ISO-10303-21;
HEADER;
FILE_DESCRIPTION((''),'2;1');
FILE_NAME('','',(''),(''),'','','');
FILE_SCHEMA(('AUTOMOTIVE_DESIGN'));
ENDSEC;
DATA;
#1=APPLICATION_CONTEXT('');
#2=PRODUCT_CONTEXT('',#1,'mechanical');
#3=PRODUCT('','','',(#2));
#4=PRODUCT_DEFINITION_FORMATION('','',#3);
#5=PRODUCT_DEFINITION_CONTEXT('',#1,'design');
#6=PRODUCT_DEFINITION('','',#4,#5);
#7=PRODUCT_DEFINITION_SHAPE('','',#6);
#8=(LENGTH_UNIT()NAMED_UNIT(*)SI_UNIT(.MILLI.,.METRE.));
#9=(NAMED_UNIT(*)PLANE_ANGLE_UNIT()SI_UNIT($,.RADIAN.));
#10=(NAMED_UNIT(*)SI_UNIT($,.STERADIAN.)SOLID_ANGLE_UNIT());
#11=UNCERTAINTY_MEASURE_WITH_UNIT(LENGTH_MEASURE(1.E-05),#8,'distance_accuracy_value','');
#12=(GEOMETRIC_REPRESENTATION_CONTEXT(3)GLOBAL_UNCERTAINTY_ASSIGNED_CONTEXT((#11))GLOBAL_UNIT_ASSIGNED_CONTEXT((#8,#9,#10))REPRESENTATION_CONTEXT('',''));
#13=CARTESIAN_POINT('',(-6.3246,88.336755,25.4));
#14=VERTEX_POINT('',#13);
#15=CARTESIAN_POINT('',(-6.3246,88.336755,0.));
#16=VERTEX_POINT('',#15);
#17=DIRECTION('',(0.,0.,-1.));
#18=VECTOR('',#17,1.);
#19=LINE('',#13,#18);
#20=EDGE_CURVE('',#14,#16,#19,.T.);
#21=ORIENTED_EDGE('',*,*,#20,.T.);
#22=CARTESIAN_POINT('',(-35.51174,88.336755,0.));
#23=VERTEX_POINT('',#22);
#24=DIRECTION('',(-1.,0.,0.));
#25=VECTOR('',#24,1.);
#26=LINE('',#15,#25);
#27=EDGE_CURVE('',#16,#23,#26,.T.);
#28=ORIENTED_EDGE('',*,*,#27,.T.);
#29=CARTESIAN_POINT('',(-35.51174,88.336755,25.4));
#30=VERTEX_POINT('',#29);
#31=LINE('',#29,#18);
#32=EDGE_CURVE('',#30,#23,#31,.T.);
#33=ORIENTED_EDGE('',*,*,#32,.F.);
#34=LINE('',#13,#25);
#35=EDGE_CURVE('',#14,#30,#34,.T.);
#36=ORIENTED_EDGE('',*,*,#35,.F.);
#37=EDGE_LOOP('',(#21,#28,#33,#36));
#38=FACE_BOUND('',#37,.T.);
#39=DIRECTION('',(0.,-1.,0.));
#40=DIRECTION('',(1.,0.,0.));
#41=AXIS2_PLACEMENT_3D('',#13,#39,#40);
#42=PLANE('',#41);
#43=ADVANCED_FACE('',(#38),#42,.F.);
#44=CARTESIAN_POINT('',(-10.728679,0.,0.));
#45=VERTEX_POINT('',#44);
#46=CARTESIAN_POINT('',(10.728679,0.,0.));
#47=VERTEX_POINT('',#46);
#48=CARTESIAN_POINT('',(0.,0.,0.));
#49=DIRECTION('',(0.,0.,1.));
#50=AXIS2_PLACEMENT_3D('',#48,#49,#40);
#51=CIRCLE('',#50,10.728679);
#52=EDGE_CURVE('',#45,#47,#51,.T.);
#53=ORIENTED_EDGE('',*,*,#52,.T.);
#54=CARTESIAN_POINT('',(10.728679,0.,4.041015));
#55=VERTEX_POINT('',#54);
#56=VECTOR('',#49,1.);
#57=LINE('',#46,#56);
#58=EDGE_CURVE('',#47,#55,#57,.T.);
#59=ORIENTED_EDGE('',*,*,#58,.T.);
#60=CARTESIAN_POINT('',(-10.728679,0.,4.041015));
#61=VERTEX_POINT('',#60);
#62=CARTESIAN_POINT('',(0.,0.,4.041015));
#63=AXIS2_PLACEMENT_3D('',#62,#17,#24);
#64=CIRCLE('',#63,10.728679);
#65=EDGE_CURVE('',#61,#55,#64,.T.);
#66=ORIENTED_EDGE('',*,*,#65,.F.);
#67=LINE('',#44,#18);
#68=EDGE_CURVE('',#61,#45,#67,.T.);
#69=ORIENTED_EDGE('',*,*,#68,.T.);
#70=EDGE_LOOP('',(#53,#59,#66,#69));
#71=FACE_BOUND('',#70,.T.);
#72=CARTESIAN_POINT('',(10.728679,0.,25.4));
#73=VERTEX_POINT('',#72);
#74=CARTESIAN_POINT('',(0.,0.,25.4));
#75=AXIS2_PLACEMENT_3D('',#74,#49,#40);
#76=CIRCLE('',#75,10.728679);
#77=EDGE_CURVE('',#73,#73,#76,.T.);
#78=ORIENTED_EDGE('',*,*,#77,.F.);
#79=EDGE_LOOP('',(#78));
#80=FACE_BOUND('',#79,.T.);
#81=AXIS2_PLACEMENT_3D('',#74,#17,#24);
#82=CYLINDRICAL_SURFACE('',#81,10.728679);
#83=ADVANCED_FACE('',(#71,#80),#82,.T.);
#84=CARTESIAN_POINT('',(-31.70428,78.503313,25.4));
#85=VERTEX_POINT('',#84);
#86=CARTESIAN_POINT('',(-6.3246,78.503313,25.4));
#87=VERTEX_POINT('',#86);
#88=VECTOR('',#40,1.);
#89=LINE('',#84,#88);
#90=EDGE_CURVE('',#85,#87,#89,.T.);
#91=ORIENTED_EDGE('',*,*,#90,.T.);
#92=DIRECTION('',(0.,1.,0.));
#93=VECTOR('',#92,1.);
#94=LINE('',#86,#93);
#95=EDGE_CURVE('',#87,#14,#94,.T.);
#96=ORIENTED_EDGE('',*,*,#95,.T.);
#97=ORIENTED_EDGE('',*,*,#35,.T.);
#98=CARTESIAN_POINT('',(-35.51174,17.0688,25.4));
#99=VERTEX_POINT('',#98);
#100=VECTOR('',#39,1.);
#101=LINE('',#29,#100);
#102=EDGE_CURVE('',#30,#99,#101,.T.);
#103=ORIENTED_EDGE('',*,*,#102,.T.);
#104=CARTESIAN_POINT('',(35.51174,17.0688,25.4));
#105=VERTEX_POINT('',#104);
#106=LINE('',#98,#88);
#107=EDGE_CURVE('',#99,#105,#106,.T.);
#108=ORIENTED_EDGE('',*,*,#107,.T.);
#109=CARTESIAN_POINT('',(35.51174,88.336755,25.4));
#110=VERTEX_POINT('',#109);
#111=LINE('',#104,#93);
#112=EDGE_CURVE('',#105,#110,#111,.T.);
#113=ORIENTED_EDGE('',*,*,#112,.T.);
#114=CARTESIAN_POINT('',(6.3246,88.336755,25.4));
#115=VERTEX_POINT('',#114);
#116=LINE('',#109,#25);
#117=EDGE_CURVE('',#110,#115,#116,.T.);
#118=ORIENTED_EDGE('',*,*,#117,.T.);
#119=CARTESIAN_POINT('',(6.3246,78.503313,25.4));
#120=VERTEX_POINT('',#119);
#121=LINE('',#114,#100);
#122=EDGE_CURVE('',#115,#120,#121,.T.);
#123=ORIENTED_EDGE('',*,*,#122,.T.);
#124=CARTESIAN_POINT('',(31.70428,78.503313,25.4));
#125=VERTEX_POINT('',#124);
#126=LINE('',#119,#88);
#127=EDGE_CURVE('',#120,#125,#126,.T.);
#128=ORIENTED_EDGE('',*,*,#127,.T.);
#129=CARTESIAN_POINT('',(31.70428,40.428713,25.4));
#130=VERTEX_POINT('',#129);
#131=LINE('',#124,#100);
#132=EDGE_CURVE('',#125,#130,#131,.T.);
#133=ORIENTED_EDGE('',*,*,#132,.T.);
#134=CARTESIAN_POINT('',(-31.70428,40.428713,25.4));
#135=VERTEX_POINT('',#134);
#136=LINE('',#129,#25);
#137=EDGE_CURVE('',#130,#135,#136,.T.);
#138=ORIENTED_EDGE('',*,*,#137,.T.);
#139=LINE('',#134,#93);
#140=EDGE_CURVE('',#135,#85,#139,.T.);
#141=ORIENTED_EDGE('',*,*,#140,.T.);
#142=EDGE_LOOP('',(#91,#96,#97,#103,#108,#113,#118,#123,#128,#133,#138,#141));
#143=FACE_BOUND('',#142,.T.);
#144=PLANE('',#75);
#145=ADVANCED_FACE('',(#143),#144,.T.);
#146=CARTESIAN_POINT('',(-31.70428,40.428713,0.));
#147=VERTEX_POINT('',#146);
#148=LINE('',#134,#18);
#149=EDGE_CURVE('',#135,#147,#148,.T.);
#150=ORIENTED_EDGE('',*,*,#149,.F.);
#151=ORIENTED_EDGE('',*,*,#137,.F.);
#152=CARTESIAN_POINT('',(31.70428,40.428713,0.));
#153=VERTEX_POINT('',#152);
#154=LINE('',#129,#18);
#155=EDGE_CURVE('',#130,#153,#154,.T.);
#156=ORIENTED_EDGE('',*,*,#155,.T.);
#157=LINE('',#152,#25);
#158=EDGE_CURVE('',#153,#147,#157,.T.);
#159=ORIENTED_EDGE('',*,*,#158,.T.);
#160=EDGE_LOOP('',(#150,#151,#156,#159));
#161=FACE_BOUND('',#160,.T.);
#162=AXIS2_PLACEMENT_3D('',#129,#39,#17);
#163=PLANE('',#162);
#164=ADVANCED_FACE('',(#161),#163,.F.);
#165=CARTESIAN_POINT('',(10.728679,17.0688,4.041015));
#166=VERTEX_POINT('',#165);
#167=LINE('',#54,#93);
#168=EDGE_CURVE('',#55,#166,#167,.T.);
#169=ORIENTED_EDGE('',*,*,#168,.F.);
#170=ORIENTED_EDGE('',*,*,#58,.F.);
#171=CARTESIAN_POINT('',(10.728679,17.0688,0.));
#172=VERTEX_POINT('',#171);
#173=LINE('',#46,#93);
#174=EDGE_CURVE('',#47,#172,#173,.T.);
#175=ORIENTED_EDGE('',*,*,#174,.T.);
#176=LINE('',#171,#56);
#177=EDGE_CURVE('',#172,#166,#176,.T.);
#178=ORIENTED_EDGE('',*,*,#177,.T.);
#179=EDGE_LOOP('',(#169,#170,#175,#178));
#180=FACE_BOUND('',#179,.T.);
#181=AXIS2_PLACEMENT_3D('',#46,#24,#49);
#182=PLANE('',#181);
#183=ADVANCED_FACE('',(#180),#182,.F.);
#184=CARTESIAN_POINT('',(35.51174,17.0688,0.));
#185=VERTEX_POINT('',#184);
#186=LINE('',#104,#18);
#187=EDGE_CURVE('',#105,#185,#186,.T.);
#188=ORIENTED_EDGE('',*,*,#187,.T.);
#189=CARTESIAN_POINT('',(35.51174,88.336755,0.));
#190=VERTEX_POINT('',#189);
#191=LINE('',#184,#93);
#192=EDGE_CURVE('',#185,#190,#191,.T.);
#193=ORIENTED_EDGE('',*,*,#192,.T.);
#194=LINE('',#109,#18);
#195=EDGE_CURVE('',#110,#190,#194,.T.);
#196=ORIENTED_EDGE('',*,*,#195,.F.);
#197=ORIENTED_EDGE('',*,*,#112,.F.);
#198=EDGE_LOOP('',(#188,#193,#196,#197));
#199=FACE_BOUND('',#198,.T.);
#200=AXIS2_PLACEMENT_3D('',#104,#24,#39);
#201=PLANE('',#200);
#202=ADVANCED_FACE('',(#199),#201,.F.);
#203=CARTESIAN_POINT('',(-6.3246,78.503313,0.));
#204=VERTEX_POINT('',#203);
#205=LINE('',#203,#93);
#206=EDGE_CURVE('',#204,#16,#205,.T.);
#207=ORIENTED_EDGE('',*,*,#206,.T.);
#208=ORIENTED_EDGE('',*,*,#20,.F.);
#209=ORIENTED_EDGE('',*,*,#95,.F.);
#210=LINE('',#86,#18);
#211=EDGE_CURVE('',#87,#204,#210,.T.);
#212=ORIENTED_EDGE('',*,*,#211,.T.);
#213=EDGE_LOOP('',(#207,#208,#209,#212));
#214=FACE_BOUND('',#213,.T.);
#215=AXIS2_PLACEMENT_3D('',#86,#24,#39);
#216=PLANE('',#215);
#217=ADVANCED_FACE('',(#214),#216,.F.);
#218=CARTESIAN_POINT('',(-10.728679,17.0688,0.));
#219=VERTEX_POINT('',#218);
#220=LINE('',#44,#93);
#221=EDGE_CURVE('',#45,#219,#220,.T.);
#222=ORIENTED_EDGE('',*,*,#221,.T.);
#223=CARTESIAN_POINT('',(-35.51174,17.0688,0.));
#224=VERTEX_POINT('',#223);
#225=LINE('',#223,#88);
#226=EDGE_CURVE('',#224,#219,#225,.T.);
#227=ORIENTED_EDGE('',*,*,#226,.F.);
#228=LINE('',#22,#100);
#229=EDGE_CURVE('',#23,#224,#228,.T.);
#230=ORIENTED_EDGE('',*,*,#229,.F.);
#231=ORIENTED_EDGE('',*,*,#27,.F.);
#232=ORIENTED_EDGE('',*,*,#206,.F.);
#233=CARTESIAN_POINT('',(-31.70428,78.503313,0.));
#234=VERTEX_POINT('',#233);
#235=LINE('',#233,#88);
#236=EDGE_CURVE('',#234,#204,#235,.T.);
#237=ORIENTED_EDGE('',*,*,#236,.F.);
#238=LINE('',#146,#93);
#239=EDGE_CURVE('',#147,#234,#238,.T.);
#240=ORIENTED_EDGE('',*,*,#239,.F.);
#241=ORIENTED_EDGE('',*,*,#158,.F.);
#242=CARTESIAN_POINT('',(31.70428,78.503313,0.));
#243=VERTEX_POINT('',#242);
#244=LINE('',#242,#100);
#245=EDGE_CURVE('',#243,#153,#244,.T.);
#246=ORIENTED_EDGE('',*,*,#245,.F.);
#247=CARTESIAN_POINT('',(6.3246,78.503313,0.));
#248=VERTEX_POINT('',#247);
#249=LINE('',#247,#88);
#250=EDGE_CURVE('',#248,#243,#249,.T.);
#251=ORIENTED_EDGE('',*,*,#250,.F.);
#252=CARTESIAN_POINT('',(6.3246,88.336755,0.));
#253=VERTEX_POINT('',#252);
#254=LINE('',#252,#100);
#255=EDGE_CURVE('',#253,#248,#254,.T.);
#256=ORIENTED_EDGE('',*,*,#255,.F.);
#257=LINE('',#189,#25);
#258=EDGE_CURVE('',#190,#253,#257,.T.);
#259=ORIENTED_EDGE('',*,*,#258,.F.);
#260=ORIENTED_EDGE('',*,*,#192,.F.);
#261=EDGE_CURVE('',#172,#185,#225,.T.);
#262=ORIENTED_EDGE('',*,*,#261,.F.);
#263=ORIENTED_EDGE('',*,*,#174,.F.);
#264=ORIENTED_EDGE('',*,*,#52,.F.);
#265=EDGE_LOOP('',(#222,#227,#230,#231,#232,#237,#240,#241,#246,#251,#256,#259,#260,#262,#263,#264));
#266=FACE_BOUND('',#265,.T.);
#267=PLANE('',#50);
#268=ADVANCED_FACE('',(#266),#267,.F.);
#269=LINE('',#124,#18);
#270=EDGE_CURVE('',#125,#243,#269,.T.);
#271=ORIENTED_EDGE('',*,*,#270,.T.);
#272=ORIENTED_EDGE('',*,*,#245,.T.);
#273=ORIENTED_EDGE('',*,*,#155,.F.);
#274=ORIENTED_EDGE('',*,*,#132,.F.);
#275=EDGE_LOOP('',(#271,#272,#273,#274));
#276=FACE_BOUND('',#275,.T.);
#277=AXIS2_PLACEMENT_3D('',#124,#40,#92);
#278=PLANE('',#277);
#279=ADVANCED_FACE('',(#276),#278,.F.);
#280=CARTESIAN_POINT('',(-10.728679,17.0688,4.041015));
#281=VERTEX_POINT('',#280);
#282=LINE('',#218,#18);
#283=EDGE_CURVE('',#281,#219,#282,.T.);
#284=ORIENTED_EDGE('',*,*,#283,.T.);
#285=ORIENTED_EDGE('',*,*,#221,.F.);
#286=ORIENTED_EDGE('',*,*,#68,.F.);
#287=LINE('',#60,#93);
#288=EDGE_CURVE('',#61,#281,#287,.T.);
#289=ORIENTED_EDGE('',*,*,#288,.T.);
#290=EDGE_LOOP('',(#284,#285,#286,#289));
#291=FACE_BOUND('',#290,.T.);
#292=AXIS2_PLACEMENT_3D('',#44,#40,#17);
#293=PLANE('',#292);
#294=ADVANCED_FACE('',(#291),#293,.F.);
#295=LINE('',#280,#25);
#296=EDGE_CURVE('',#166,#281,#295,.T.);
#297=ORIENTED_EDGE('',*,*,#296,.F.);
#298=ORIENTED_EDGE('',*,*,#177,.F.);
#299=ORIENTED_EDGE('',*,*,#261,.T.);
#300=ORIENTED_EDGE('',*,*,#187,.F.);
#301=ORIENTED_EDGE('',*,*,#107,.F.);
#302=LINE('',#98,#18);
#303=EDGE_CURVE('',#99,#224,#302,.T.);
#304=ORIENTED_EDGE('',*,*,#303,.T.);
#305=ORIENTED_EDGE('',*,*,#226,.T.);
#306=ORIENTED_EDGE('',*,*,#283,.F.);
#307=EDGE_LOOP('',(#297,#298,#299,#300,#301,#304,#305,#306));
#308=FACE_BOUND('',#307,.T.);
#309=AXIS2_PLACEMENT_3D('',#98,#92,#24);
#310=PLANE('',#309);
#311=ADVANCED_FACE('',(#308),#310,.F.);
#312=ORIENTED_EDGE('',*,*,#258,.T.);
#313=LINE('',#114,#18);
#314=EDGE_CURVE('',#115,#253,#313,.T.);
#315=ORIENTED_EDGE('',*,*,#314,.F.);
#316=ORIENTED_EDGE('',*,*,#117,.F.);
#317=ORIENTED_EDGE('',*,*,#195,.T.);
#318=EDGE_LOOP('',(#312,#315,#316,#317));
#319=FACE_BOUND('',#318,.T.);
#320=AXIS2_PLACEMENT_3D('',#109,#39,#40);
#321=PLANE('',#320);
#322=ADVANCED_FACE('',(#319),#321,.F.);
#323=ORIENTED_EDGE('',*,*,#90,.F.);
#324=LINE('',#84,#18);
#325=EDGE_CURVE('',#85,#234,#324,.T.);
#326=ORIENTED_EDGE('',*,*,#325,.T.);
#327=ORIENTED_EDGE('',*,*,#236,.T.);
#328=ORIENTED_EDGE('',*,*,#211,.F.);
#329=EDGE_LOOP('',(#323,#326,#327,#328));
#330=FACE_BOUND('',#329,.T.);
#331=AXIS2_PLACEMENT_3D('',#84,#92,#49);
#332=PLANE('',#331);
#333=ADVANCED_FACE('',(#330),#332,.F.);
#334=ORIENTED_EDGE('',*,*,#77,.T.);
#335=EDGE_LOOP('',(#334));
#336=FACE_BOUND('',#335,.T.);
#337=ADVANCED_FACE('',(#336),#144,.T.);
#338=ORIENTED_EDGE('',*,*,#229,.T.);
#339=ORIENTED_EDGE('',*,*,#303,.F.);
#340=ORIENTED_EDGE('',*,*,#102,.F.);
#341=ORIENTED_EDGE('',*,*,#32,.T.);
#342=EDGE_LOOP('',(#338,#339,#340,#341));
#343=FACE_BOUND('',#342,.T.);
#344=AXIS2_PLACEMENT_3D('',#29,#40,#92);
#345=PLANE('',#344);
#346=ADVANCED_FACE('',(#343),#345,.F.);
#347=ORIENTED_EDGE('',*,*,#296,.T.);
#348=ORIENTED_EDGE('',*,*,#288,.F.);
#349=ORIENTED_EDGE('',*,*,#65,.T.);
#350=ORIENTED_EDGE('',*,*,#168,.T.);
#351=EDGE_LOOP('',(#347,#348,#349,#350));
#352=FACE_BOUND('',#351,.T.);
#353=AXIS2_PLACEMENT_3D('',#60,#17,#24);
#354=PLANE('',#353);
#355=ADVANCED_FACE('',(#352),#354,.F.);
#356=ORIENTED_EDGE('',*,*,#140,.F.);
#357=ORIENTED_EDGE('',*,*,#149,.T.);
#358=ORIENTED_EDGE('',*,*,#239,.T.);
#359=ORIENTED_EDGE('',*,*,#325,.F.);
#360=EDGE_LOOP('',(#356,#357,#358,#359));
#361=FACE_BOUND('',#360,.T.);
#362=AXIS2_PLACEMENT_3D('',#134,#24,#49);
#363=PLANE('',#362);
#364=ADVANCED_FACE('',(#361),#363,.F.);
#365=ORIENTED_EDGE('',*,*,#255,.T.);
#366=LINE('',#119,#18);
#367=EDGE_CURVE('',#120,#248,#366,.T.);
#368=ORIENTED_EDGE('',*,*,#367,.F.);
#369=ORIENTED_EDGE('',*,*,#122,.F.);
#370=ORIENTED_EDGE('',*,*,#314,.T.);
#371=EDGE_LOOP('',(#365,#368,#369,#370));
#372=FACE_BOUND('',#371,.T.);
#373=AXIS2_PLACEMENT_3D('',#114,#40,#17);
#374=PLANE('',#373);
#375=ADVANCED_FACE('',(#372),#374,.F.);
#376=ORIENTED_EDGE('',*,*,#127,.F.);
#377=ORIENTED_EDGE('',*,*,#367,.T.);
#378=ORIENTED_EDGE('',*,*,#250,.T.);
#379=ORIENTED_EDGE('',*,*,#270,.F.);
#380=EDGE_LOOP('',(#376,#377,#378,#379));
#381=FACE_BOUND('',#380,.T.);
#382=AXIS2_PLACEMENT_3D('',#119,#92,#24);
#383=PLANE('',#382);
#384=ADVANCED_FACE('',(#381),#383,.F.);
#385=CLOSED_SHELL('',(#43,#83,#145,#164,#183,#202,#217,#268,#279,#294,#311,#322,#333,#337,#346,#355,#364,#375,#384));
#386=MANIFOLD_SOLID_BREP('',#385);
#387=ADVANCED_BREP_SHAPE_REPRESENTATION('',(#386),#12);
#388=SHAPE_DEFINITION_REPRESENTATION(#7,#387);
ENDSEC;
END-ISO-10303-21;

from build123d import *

# Parameters (mm, degrees)
SKETCH1_R             = 10.728678925
BOSS_EXTRUDE1_DEPTH   = 25.4
BOSS_EXTRUDE1_2_DEPTH = 25.4
SKETCH2_W             = 21.45735785
SKETCH2_H             = 4.041014957
BOSS_EXTRUDE2_DEPTH   = 17.0688


with BuildPart() as part:
    # Sketch1 → Boss-Extrude1 (new body)
    with BuildSketch(Plane.XY):
        Circle(SKETCH1_R)
    extrude(amount=BOSS_EXTRUDE1_DEPTH)



with BuildPart() as body_2:
    # Sketch1 → Boss-Extrude1 2 (new body)
    with BuildSketch(Plane.XY):
        Polygon((-35.51174, 17.0688), (35.51174, 17.0688), (35.51174, 88.336755193), (6.3246, 88.336755193), (6.3246, 78.503313232), (31.70428, 78.503313232), (31.70428, 40.428713232), (-31.70428, 40.428713232), (-31.70428, 78.503313232), (-6.3246, 78.503313232), (-6.3246, 88.336755193), (-35.51174, 88.336755193), align=None)
    extrude(amount=BOSS_EXTRUDE1_2_DEPTH)


with BuildPart() as part_1:
    add(part.part)

    add(body_2.part)  # Boss-Extrude2 merges body 2
    # Sketch2 → Boss-Extrude2 (add)
    with BuildSketch(Plane.XZ.offset(-17.0688)):
        with Locations((0, 2.020507479)):
            Rectangle(SKETCH2_W, SKETCH2_H)
    extrude(amount=BOSS_EXTRUDE2_DEPTH)


solid = part_1.part
